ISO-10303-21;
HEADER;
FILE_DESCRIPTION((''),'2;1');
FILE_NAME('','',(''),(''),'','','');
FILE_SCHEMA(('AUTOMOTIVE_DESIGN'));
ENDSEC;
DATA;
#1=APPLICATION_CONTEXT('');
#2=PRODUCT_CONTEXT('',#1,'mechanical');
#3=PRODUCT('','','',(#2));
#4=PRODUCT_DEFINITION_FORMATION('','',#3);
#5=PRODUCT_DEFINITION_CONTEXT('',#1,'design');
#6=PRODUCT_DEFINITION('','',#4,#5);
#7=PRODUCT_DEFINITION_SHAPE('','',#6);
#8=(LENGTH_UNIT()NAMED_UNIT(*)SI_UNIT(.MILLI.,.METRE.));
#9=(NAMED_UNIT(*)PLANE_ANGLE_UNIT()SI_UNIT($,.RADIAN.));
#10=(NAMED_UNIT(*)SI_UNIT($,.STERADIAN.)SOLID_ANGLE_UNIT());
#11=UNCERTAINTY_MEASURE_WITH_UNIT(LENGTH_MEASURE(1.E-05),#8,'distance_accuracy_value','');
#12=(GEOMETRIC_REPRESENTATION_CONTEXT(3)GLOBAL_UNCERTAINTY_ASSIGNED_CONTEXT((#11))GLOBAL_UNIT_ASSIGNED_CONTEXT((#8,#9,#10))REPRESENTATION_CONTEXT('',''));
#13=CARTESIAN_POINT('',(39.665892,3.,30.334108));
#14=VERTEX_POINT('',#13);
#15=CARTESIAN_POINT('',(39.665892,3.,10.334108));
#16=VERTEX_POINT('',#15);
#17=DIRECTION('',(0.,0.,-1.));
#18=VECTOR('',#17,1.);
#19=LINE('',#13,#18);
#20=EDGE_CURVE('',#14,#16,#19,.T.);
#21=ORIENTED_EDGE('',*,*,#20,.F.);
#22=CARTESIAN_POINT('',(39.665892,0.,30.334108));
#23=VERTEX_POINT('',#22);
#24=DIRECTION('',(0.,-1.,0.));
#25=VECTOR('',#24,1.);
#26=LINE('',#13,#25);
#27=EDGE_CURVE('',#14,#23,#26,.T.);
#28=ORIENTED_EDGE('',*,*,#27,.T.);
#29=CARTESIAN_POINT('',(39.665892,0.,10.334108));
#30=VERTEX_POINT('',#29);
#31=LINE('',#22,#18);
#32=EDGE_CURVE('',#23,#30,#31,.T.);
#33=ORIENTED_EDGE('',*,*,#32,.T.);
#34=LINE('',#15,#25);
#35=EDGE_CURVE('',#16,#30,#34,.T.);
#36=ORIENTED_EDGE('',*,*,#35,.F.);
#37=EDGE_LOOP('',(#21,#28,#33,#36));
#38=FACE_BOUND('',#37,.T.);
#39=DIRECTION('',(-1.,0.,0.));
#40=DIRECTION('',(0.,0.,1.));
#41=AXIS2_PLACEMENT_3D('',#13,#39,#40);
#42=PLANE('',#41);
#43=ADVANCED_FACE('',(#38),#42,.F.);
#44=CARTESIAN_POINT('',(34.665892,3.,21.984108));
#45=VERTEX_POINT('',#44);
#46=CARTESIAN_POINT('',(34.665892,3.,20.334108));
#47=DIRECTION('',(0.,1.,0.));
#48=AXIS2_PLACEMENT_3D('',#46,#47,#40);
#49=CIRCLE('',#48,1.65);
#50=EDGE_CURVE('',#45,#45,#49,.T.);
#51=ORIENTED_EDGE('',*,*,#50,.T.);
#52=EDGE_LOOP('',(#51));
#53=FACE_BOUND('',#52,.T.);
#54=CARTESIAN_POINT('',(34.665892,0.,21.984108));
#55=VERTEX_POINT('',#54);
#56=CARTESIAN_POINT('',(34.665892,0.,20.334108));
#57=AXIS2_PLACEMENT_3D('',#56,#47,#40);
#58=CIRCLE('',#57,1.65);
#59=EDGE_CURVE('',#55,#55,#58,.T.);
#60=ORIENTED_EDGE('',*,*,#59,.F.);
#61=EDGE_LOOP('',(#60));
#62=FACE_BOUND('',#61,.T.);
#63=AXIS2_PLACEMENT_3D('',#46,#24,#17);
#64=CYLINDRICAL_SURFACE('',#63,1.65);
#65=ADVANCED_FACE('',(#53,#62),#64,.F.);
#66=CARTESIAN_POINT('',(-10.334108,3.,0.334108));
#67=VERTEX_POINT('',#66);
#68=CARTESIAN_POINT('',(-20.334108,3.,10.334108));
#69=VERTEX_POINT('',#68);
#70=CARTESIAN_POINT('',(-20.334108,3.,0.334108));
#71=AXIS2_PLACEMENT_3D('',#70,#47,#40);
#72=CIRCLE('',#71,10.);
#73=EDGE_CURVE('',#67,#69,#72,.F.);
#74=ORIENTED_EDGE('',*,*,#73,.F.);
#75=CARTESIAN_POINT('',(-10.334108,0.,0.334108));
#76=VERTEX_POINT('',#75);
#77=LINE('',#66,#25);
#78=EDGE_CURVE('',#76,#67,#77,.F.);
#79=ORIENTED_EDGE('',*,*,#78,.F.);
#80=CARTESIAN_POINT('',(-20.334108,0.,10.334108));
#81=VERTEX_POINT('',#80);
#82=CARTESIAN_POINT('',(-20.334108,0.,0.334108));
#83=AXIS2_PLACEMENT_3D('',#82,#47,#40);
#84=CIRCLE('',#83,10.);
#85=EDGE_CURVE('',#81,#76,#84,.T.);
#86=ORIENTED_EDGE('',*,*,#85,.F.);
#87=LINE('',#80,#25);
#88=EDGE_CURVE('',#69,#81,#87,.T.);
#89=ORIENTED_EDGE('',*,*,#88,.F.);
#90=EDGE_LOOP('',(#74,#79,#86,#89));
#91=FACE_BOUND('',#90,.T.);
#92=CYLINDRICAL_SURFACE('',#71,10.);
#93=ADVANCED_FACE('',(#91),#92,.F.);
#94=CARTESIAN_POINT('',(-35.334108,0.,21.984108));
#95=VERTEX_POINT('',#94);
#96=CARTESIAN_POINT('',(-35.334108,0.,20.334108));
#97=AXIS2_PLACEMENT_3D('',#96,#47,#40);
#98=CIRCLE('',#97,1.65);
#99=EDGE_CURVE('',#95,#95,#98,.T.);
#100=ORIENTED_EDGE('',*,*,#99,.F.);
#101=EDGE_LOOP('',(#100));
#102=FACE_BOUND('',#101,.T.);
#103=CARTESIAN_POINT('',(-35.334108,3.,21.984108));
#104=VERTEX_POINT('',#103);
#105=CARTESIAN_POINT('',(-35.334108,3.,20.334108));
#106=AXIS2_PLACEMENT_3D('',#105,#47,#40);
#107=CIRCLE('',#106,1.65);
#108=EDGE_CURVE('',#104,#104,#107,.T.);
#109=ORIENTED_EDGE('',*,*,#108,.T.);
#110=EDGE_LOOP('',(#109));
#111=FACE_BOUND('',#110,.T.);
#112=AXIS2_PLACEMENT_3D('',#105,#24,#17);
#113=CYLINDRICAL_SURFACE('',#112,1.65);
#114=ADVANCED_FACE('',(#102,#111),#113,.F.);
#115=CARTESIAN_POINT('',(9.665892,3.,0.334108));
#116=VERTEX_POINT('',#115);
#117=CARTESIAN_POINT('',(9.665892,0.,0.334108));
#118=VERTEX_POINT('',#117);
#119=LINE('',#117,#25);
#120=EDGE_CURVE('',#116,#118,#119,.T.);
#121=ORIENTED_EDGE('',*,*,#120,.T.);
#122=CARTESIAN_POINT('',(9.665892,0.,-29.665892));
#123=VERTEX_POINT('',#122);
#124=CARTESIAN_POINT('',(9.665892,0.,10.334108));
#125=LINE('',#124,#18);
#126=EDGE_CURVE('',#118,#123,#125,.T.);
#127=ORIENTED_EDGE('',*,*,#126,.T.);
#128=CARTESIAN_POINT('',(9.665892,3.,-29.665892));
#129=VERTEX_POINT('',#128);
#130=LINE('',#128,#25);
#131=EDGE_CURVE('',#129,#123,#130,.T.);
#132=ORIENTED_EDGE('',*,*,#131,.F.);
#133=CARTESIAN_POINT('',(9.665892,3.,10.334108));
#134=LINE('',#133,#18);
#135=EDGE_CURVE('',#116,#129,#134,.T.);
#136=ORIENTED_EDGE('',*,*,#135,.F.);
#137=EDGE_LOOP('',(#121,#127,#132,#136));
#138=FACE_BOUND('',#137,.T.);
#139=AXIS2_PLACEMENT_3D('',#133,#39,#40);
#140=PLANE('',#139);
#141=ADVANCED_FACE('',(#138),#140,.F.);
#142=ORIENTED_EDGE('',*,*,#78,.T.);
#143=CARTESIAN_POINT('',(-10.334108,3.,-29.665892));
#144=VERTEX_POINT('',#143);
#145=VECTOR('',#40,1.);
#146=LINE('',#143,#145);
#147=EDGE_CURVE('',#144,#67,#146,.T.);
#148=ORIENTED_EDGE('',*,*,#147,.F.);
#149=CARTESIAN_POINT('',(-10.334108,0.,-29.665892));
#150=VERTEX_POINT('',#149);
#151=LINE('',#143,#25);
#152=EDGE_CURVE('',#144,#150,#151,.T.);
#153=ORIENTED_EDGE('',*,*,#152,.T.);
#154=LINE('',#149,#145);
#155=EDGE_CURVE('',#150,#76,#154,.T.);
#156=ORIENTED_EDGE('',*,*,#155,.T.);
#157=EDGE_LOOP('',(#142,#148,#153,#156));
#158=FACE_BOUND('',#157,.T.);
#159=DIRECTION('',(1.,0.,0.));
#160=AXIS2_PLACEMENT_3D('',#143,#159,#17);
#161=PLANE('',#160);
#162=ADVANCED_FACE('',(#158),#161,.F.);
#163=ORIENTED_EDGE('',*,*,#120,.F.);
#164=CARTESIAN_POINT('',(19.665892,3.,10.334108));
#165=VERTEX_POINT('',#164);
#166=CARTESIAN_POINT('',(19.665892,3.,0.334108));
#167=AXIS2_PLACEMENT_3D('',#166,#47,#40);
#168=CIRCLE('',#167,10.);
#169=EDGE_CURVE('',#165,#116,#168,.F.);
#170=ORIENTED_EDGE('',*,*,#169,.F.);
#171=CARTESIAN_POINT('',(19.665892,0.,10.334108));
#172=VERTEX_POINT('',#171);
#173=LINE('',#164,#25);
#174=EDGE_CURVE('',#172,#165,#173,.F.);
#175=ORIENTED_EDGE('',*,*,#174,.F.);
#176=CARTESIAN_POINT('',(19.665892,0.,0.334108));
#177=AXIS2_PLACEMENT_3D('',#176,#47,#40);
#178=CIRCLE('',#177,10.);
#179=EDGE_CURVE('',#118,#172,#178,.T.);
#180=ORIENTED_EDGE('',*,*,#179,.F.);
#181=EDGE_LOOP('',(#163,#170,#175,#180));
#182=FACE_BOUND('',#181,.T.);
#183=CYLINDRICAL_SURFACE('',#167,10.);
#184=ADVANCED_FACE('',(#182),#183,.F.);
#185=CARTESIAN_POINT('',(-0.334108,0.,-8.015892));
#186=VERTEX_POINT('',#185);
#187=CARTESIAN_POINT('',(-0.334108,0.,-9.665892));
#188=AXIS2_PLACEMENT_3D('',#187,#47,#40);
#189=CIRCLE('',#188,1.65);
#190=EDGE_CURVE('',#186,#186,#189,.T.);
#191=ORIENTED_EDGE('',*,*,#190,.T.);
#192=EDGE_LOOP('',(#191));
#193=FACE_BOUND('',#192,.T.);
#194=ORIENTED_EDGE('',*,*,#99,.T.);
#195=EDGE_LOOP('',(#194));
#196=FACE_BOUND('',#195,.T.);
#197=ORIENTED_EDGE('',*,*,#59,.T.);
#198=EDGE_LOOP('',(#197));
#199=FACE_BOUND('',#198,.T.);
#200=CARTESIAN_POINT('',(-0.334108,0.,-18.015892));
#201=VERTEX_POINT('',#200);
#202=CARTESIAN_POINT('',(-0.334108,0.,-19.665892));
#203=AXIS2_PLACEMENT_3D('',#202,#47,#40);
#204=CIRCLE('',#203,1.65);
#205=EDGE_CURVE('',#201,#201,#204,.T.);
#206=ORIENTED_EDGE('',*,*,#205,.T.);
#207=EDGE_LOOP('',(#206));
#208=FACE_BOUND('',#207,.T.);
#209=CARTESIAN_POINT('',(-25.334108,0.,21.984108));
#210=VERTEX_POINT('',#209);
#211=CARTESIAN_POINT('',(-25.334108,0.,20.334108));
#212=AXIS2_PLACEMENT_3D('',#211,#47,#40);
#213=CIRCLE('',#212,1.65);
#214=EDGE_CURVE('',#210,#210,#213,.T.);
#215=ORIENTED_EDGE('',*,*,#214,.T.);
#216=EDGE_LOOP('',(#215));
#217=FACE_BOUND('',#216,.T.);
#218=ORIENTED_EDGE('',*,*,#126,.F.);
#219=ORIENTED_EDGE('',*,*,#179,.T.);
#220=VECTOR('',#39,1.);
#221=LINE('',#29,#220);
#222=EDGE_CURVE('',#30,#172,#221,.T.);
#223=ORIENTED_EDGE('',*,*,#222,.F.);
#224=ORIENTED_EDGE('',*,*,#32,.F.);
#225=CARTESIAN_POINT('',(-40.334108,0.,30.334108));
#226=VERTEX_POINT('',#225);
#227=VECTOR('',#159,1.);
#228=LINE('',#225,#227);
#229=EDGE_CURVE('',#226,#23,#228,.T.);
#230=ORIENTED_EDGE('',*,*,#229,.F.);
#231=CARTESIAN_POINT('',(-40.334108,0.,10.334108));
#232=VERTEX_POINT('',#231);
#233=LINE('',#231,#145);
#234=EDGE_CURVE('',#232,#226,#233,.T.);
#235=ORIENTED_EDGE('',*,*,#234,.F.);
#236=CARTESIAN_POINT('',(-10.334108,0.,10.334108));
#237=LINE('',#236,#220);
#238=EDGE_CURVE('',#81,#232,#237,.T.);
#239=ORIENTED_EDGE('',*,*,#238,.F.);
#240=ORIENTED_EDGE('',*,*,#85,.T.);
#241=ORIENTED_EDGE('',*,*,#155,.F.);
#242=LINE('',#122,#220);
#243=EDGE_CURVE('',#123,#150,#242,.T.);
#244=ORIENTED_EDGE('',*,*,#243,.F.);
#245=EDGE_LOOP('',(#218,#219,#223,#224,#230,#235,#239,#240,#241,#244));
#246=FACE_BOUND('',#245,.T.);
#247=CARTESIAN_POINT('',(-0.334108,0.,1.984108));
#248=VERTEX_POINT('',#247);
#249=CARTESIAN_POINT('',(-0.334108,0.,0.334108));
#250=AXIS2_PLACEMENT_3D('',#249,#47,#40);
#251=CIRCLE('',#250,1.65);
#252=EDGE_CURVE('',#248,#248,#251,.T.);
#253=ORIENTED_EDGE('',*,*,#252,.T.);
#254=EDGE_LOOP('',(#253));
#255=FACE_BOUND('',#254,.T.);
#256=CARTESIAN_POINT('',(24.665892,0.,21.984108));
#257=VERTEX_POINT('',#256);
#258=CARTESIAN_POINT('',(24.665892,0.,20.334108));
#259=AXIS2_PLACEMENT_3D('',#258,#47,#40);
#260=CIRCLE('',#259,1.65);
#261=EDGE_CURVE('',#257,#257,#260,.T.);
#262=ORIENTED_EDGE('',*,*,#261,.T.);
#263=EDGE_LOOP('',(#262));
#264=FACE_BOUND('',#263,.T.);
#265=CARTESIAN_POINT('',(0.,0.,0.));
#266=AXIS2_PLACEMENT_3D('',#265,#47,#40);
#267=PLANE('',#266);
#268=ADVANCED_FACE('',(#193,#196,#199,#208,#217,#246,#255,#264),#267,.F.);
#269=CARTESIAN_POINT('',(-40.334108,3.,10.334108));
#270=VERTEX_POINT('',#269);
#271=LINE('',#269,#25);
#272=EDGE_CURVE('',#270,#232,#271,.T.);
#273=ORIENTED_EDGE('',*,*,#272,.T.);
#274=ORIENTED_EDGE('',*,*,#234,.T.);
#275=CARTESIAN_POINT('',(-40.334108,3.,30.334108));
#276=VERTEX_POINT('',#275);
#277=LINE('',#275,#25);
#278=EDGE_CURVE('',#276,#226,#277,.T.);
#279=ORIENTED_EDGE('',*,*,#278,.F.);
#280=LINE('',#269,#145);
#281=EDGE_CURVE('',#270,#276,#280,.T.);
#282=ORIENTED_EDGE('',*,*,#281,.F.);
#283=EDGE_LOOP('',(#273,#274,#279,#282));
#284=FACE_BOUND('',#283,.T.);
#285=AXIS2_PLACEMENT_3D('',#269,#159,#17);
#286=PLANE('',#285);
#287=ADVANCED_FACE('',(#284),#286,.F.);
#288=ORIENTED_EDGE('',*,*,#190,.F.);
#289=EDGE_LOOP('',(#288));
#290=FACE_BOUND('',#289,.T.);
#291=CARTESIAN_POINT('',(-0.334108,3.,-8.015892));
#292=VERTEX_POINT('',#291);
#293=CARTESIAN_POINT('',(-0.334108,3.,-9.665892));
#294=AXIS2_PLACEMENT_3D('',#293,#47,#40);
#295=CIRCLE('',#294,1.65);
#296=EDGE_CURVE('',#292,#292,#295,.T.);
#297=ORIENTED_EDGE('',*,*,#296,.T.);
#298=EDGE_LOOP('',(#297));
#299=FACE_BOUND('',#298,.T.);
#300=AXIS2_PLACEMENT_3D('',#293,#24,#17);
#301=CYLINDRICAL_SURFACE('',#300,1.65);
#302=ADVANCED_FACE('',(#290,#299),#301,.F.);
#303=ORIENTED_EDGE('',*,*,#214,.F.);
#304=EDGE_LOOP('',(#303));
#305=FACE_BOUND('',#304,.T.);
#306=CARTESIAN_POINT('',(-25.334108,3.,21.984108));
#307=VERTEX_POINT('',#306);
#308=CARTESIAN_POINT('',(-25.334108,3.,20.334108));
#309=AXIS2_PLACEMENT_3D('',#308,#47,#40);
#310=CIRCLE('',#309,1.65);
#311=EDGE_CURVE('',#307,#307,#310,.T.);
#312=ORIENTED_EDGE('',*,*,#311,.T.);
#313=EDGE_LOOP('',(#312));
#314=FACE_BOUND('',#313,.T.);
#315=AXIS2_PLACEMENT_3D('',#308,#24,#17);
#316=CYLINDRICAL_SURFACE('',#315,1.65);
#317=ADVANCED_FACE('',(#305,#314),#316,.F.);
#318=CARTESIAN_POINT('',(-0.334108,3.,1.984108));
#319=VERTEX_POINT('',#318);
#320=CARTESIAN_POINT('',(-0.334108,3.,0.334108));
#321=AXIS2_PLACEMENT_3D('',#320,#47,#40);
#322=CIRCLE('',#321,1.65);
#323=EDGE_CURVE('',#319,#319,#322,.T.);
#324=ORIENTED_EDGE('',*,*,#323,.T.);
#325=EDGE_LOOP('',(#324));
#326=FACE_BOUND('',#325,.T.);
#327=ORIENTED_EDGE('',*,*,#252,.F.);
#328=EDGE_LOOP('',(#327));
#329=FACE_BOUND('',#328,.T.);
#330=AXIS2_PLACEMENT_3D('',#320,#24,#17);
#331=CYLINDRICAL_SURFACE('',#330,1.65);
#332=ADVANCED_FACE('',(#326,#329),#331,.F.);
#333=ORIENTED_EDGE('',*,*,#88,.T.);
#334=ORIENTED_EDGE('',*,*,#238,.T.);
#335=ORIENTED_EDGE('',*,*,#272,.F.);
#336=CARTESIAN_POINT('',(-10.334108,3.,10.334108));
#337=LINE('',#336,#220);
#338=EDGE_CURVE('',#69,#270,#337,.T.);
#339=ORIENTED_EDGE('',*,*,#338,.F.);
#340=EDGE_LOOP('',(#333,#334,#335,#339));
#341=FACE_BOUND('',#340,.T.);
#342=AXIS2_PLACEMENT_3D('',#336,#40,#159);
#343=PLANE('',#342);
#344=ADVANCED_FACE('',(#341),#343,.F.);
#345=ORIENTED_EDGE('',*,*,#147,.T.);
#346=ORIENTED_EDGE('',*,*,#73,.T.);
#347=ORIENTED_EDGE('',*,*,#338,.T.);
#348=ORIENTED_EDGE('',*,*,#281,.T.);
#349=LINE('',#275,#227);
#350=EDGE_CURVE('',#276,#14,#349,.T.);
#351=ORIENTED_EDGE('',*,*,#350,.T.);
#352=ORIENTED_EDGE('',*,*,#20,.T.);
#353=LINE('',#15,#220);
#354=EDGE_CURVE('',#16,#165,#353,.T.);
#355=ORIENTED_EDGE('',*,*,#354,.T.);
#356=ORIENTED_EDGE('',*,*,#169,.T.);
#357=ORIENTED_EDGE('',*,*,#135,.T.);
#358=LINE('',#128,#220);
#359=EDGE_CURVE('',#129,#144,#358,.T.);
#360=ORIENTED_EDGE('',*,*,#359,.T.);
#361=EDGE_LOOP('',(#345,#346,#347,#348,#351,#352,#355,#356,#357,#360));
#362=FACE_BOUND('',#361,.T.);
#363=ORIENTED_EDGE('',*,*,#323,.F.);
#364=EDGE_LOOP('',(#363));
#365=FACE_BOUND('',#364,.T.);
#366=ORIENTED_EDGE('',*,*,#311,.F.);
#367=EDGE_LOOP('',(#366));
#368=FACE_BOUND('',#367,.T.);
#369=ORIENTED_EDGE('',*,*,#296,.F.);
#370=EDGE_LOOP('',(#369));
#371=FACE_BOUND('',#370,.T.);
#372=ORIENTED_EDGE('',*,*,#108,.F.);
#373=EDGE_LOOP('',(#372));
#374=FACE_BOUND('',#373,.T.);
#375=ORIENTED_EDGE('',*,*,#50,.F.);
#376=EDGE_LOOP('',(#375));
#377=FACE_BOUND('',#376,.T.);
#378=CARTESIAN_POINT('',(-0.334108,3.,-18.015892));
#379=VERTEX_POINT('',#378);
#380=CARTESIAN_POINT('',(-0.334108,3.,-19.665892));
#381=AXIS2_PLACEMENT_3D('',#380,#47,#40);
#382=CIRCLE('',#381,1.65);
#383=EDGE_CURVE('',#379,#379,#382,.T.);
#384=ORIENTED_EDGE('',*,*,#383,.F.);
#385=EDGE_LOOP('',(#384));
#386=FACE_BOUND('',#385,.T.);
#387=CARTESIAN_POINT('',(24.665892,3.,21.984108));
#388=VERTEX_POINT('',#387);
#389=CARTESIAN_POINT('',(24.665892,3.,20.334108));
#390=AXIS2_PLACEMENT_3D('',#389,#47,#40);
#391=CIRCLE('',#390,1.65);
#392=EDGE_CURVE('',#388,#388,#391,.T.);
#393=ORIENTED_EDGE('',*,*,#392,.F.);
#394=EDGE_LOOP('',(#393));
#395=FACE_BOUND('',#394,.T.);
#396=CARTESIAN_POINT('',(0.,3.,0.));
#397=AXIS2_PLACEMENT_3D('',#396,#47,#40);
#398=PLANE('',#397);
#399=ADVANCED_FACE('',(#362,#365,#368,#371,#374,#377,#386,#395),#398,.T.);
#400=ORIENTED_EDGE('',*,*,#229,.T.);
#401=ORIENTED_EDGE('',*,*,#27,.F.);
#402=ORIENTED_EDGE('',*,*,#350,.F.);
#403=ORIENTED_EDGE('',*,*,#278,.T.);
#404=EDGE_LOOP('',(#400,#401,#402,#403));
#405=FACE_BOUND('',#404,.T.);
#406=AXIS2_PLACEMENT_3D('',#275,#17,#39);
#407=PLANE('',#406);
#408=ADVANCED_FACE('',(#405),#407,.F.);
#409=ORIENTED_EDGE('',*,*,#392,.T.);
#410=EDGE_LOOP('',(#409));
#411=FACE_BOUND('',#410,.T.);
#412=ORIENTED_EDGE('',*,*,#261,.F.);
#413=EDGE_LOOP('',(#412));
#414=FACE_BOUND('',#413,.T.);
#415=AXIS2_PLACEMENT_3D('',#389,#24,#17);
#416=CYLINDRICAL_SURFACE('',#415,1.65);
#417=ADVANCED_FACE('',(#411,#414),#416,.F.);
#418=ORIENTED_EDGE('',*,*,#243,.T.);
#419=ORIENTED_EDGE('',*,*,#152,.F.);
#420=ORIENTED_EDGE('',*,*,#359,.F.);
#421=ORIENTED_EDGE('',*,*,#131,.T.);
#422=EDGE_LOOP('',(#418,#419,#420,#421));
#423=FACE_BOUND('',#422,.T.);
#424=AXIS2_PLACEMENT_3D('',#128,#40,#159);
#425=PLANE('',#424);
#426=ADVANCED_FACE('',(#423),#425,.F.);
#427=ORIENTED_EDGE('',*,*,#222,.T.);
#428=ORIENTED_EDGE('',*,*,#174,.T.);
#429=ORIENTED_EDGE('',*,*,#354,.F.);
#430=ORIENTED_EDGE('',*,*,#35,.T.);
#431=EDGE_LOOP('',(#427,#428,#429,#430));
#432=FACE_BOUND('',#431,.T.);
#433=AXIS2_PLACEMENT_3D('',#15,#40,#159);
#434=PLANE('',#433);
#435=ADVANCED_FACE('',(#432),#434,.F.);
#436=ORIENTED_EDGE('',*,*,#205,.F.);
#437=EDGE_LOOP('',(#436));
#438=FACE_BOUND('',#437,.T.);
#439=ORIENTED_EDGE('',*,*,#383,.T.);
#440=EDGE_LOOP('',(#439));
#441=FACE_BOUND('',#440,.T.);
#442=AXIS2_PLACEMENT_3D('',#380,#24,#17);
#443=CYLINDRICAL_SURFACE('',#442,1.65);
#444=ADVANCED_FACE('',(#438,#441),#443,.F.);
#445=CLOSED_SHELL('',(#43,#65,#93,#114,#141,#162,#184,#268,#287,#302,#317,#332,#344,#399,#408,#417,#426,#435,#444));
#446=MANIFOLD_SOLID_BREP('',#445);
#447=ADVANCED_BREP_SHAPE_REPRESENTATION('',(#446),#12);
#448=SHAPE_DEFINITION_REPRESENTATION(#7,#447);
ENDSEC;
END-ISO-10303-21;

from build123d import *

# Parameters (mm, degrees)
SKETCH_1_R      = 1.65
EXTRUDE_1_DEPTH = 3
FILLET_1_R      = 10


with BuildPart() as part:
    # 草图1 → 凸台-拉伸1 (new body)
    with BuildSketch(Plane(origin=(0, 0, 0), x_dir=(1, 0, 0), z_dir=(0, 1, 0))):
        Polygon((-40.334108275, -30.334108275), (39.665891725, -30.334108275), (39.665891725, -10.334108275), (9.665891725, -10.334108275), (9.665891725, 29.665891725), (-10.334108275, 29.665891725), (-10.334108275, -10.334108275), (-40.334108275, -10.334108275), align=None)
        with Locations(Location((-0.334108275, -0.334108275, 0), (0, 0, 270))):
            Circle(SKETCH_1_R, mode=Mode.SUBTRACT)
        with Locations(Location((-0.334108275, 9.665891725, 0), (0, 0, 270))):
            Circle(SKETCH_1_R, mode=Mode.SUBTRACT)
        with Locations(Location((-0.334108275, 19.665891725, 0), (0, 0, 270))):
            Circle(SKETCH_1_R, mode=Mode.SUBTRACT)
        with Locations(Location((-25.334108275, -20.334108275, 0), (0, 0, 270))):
            Circle(SKETCH_1_R, mode=Mode.SUBTRACT)
        with Locations(Location((-35.334108275, -20.334108275, 0), (0, 0, 270))):
            Circle(SKETCH_1_R, mode=Mode.SUBTRACT)
        with Locations(Location((24.665891725, -20.334108275, 0), (0, 0, 270))):
            Circle(SKETCH_1_R, mode=Mode.SUBTRACT)
        with Locations(Location((34.665891725, -20.334108275, 0), (0, 0, 270))):
            Circle(SKETCH_1_R, mode=Mode.SUBTRACT)
    extrude(amount=EXTRUDE_1_DEPTH)

    # 圆角1
    fillet_1_edges = [part.edges().sort_by_distance(p)[0] for p in [
        (-10.334108275, 1.5, 10.334108275),
        (9.665891725, 1.5, 10.334108275),
    ]]
    fillet(fillet_1_edges, radius=FILLET_1_R)


solid = part.part
